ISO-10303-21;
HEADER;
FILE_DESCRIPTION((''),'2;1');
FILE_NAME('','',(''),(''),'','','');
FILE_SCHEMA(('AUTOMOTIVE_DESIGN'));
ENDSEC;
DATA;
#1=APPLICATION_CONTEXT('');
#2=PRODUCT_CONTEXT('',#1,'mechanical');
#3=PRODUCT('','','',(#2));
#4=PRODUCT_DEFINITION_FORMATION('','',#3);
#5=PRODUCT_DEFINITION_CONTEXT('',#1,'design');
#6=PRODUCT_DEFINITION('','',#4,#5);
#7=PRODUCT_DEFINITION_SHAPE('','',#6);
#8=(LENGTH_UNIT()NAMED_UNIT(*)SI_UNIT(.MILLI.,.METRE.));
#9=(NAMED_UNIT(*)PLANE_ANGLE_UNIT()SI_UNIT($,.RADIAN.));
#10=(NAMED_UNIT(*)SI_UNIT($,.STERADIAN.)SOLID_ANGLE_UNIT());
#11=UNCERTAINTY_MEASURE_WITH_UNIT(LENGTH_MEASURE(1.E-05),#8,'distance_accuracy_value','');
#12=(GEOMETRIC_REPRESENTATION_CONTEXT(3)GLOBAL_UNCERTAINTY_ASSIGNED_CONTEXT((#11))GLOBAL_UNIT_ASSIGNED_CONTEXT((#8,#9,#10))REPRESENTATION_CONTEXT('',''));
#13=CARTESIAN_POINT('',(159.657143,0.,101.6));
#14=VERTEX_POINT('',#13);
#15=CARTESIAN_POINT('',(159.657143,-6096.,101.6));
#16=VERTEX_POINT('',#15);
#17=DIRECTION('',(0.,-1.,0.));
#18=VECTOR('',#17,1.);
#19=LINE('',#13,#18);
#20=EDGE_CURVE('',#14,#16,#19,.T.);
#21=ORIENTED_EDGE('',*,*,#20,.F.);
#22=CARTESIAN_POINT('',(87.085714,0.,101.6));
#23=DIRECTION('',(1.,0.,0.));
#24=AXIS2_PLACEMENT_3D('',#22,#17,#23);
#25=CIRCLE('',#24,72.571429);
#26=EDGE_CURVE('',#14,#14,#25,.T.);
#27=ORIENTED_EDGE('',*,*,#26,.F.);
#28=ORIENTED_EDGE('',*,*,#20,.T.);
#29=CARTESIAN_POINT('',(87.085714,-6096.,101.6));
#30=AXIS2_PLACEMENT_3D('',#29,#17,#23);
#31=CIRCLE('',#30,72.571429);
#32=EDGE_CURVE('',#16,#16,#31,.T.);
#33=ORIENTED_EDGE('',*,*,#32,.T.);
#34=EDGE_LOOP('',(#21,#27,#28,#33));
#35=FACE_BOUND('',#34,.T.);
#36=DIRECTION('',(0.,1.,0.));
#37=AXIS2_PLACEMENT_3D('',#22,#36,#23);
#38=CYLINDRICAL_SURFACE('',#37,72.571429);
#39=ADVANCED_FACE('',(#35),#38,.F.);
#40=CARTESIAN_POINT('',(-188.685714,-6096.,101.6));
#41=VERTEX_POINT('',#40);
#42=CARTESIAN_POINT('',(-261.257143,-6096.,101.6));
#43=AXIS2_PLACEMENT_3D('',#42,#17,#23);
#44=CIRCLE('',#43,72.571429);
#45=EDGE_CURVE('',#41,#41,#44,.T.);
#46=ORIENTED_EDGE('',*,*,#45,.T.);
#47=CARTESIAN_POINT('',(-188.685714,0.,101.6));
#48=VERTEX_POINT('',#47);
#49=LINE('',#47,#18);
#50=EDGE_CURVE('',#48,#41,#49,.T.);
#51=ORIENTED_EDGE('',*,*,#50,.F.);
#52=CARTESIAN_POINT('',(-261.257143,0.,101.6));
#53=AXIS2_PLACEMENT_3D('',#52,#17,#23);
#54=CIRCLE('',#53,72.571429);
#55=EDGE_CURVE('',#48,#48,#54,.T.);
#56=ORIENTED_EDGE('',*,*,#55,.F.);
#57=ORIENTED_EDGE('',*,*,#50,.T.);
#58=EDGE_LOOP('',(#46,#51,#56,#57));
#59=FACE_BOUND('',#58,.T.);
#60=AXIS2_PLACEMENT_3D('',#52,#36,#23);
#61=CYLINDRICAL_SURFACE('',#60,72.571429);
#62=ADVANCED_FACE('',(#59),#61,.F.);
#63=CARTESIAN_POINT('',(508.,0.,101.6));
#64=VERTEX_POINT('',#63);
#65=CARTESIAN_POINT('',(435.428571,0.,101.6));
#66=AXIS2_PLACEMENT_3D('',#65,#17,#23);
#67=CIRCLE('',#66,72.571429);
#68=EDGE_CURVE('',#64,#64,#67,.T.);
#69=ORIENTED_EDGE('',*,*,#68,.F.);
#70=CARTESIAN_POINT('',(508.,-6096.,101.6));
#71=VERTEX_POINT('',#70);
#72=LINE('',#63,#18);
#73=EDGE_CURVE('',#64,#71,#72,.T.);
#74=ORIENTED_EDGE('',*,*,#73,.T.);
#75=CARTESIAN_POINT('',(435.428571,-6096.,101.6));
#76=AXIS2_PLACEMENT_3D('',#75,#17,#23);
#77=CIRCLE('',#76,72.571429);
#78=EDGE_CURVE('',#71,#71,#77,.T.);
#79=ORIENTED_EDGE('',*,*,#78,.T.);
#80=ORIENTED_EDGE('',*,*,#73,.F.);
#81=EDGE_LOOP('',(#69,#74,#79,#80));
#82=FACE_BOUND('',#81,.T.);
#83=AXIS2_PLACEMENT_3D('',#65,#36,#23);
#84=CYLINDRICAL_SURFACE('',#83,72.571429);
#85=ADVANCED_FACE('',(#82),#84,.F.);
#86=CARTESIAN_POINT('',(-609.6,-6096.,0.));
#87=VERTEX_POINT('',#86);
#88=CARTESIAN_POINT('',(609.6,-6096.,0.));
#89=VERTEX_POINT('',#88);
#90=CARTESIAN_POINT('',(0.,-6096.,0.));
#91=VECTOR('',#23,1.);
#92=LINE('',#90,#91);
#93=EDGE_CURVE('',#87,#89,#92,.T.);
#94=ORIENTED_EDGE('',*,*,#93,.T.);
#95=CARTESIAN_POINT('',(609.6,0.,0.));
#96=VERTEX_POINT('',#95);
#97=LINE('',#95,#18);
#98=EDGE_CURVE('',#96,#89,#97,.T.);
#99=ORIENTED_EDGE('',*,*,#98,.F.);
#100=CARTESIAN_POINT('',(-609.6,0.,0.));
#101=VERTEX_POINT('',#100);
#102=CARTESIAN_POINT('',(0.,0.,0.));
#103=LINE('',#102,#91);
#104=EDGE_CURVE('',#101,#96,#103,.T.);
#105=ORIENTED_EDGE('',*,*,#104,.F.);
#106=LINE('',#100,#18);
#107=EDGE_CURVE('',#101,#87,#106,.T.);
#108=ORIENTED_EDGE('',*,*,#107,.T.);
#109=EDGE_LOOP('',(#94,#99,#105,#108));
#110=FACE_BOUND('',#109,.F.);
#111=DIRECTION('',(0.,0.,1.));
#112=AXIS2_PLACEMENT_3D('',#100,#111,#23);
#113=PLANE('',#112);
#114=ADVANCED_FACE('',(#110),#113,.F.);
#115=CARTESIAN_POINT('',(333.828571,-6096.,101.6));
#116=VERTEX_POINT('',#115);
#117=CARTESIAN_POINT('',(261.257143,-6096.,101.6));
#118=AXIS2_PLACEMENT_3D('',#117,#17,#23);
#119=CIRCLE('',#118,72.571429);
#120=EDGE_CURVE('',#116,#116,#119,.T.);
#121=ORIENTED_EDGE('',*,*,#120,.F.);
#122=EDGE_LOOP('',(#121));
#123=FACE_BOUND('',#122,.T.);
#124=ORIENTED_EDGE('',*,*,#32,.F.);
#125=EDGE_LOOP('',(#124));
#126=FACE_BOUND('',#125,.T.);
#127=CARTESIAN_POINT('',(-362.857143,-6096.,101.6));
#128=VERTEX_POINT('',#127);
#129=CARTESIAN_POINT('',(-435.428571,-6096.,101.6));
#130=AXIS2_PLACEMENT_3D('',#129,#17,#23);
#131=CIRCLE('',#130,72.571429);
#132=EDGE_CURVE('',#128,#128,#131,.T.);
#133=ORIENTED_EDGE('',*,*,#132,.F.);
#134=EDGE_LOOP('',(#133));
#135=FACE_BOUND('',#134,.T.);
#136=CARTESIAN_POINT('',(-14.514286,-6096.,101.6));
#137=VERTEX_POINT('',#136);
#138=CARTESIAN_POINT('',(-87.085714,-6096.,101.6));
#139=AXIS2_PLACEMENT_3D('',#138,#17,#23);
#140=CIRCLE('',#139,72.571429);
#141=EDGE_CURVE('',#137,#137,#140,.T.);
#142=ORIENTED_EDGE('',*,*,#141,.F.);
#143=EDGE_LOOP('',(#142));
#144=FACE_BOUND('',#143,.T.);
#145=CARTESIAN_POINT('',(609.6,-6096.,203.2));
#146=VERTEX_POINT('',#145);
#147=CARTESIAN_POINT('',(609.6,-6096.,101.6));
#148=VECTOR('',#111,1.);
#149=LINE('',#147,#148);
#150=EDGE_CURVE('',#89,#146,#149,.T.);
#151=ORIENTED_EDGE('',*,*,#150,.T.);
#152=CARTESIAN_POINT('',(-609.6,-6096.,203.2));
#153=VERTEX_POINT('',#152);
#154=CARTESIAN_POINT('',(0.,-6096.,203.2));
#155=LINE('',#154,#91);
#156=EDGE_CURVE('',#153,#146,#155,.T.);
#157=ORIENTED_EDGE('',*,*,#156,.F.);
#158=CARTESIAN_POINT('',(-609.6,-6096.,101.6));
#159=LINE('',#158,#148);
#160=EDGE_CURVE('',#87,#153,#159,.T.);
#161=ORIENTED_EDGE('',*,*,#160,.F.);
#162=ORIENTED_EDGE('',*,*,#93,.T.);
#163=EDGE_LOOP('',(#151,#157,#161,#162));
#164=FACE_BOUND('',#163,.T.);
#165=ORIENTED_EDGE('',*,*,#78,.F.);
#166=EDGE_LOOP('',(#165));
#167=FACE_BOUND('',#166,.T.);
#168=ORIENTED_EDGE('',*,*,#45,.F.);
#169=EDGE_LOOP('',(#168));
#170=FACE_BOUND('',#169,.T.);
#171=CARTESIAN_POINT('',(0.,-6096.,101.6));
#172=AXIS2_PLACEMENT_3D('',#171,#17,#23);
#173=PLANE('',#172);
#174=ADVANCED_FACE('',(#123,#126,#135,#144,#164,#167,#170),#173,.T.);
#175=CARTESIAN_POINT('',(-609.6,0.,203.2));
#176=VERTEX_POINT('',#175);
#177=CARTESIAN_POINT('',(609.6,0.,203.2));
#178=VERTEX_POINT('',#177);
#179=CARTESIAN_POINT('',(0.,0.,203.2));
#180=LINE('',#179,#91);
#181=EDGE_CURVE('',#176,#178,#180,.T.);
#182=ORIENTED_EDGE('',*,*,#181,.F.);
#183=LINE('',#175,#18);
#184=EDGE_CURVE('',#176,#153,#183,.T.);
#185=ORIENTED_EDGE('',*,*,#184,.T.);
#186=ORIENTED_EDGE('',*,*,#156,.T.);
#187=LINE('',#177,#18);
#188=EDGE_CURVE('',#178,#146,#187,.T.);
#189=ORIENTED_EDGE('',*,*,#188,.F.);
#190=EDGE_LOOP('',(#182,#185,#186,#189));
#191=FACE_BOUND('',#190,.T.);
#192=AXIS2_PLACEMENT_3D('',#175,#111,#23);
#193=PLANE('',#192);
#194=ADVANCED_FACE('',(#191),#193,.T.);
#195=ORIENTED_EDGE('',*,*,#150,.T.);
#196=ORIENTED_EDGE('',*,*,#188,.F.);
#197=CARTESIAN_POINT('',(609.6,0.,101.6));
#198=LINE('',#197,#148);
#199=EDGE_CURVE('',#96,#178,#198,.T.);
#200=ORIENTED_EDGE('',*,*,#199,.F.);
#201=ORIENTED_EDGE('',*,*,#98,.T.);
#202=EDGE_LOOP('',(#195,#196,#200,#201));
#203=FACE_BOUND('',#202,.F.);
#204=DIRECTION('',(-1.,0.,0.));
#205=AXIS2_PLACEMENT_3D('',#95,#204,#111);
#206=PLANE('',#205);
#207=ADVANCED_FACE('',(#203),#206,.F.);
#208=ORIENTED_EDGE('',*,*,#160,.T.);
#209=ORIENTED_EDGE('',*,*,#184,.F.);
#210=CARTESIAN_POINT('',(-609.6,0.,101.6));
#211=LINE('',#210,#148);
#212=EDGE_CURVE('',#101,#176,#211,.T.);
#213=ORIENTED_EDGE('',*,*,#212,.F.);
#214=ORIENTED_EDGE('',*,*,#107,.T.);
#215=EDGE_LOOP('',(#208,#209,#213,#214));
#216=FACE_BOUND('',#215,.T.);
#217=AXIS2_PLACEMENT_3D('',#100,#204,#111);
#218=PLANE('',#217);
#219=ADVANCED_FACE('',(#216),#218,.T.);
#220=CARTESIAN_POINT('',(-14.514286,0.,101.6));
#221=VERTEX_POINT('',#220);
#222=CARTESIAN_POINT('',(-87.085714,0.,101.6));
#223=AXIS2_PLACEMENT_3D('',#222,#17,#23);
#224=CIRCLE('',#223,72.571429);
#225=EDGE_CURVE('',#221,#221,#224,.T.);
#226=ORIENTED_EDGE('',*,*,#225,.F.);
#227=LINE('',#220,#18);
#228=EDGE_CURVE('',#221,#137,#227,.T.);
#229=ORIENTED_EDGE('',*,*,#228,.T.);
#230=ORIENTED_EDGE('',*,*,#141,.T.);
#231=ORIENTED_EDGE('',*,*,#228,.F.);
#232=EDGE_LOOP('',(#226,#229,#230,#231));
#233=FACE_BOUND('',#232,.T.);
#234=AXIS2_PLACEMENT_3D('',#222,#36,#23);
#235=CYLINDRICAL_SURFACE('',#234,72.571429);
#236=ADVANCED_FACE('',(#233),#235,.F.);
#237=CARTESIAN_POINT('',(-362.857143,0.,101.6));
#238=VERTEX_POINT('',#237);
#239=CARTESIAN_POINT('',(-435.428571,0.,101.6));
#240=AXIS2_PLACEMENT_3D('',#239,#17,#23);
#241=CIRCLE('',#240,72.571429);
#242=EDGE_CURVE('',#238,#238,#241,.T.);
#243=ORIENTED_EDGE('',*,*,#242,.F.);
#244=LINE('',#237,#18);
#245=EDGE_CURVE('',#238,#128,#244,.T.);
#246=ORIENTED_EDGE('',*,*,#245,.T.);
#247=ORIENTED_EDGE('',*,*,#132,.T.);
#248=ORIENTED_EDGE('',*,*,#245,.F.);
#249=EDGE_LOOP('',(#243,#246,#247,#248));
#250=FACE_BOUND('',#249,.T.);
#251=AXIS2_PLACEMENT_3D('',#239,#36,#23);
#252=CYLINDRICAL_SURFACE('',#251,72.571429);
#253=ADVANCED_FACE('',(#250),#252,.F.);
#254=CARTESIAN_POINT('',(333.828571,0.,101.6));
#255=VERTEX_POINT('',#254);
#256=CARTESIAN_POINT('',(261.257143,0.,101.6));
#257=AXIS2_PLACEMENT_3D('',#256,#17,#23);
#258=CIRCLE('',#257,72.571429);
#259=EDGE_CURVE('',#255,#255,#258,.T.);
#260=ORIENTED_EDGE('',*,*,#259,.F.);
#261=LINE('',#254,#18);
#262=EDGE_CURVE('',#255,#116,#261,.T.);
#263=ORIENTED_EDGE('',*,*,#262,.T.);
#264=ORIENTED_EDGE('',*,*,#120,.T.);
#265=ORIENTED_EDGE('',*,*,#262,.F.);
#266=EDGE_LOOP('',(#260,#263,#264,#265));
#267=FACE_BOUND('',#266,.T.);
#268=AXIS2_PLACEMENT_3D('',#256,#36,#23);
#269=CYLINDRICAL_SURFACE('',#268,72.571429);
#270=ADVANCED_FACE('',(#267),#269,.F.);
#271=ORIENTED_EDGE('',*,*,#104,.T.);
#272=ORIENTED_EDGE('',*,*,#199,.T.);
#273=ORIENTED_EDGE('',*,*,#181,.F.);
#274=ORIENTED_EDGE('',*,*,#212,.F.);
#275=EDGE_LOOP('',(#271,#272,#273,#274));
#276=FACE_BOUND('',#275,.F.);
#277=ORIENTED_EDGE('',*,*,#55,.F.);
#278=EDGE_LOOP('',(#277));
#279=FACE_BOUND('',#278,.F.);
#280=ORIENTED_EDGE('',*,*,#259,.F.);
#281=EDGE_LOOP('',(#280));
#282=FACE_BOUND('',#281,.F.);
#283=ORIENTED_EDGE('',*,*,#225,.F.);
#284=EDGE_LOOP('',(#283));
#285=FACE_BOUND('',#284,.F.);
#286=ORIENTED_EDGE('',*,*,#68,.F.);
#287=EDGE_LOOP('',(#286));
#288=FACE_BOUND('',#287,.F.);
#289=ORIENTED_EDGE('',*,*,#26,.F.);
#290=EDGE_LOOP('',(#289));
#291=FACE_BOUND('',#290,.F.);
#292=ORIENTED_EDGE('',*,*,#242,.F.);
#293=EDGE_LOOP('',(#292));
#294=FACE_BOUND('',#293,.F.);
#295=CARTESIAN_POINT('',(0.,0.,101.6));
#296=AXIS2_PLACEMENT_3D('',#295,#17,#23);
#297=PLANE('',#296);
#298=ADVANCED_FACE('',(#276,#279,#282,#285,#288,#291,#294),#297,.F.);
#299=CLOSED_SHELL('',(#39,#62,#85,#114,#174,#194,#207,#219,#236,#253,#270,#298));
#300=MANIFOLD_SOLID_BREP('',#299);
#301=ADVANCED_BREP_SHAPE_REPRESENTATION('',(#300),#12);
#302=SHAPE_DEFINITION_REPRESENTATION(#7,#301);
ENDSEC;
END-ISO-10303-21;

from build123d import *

# Parameters (mm, degrees)
F1_W     = 1219.2
F1_H     = 203.2
F1_R     = 72.5714285714
F2_DEPTH = 6096


with BuildPart() as f2:
    # F1 (on Front) → F2 (new body)
    with BuildSketch(Plane.XZ):
        with Locations((0, 101.6)):
            Rectangle(F1_W, F1_H)
        with Locations((-435.4285714286, 101.6)):
            Circle(F1_R, mode=Mode.SUBTRACT)
        with Locations((-261.2571428571, 101.6)):
            Circle(F1_R, mode=Mode.SUBTRACT)
        with Locations((-87.0857142857, 101.6)):
            Circle(F1_R, mode=Mode.SUBTRACT)
        with Locations((87.0857142857, 101.6)):
            Circle(F1_R, mode=Mode.SUBTRACT)
        with Locations((261.2571428571, 101.6)):
            Circle(F1_R, mode=Mode.SUBTRACT)
        with Locations((435.4285714286, 101.6)):
            Circle(F1_R, mode=Mode.SUBTRACT)
    extrude(amount=F2_DEPTH)


solid = f2.part
